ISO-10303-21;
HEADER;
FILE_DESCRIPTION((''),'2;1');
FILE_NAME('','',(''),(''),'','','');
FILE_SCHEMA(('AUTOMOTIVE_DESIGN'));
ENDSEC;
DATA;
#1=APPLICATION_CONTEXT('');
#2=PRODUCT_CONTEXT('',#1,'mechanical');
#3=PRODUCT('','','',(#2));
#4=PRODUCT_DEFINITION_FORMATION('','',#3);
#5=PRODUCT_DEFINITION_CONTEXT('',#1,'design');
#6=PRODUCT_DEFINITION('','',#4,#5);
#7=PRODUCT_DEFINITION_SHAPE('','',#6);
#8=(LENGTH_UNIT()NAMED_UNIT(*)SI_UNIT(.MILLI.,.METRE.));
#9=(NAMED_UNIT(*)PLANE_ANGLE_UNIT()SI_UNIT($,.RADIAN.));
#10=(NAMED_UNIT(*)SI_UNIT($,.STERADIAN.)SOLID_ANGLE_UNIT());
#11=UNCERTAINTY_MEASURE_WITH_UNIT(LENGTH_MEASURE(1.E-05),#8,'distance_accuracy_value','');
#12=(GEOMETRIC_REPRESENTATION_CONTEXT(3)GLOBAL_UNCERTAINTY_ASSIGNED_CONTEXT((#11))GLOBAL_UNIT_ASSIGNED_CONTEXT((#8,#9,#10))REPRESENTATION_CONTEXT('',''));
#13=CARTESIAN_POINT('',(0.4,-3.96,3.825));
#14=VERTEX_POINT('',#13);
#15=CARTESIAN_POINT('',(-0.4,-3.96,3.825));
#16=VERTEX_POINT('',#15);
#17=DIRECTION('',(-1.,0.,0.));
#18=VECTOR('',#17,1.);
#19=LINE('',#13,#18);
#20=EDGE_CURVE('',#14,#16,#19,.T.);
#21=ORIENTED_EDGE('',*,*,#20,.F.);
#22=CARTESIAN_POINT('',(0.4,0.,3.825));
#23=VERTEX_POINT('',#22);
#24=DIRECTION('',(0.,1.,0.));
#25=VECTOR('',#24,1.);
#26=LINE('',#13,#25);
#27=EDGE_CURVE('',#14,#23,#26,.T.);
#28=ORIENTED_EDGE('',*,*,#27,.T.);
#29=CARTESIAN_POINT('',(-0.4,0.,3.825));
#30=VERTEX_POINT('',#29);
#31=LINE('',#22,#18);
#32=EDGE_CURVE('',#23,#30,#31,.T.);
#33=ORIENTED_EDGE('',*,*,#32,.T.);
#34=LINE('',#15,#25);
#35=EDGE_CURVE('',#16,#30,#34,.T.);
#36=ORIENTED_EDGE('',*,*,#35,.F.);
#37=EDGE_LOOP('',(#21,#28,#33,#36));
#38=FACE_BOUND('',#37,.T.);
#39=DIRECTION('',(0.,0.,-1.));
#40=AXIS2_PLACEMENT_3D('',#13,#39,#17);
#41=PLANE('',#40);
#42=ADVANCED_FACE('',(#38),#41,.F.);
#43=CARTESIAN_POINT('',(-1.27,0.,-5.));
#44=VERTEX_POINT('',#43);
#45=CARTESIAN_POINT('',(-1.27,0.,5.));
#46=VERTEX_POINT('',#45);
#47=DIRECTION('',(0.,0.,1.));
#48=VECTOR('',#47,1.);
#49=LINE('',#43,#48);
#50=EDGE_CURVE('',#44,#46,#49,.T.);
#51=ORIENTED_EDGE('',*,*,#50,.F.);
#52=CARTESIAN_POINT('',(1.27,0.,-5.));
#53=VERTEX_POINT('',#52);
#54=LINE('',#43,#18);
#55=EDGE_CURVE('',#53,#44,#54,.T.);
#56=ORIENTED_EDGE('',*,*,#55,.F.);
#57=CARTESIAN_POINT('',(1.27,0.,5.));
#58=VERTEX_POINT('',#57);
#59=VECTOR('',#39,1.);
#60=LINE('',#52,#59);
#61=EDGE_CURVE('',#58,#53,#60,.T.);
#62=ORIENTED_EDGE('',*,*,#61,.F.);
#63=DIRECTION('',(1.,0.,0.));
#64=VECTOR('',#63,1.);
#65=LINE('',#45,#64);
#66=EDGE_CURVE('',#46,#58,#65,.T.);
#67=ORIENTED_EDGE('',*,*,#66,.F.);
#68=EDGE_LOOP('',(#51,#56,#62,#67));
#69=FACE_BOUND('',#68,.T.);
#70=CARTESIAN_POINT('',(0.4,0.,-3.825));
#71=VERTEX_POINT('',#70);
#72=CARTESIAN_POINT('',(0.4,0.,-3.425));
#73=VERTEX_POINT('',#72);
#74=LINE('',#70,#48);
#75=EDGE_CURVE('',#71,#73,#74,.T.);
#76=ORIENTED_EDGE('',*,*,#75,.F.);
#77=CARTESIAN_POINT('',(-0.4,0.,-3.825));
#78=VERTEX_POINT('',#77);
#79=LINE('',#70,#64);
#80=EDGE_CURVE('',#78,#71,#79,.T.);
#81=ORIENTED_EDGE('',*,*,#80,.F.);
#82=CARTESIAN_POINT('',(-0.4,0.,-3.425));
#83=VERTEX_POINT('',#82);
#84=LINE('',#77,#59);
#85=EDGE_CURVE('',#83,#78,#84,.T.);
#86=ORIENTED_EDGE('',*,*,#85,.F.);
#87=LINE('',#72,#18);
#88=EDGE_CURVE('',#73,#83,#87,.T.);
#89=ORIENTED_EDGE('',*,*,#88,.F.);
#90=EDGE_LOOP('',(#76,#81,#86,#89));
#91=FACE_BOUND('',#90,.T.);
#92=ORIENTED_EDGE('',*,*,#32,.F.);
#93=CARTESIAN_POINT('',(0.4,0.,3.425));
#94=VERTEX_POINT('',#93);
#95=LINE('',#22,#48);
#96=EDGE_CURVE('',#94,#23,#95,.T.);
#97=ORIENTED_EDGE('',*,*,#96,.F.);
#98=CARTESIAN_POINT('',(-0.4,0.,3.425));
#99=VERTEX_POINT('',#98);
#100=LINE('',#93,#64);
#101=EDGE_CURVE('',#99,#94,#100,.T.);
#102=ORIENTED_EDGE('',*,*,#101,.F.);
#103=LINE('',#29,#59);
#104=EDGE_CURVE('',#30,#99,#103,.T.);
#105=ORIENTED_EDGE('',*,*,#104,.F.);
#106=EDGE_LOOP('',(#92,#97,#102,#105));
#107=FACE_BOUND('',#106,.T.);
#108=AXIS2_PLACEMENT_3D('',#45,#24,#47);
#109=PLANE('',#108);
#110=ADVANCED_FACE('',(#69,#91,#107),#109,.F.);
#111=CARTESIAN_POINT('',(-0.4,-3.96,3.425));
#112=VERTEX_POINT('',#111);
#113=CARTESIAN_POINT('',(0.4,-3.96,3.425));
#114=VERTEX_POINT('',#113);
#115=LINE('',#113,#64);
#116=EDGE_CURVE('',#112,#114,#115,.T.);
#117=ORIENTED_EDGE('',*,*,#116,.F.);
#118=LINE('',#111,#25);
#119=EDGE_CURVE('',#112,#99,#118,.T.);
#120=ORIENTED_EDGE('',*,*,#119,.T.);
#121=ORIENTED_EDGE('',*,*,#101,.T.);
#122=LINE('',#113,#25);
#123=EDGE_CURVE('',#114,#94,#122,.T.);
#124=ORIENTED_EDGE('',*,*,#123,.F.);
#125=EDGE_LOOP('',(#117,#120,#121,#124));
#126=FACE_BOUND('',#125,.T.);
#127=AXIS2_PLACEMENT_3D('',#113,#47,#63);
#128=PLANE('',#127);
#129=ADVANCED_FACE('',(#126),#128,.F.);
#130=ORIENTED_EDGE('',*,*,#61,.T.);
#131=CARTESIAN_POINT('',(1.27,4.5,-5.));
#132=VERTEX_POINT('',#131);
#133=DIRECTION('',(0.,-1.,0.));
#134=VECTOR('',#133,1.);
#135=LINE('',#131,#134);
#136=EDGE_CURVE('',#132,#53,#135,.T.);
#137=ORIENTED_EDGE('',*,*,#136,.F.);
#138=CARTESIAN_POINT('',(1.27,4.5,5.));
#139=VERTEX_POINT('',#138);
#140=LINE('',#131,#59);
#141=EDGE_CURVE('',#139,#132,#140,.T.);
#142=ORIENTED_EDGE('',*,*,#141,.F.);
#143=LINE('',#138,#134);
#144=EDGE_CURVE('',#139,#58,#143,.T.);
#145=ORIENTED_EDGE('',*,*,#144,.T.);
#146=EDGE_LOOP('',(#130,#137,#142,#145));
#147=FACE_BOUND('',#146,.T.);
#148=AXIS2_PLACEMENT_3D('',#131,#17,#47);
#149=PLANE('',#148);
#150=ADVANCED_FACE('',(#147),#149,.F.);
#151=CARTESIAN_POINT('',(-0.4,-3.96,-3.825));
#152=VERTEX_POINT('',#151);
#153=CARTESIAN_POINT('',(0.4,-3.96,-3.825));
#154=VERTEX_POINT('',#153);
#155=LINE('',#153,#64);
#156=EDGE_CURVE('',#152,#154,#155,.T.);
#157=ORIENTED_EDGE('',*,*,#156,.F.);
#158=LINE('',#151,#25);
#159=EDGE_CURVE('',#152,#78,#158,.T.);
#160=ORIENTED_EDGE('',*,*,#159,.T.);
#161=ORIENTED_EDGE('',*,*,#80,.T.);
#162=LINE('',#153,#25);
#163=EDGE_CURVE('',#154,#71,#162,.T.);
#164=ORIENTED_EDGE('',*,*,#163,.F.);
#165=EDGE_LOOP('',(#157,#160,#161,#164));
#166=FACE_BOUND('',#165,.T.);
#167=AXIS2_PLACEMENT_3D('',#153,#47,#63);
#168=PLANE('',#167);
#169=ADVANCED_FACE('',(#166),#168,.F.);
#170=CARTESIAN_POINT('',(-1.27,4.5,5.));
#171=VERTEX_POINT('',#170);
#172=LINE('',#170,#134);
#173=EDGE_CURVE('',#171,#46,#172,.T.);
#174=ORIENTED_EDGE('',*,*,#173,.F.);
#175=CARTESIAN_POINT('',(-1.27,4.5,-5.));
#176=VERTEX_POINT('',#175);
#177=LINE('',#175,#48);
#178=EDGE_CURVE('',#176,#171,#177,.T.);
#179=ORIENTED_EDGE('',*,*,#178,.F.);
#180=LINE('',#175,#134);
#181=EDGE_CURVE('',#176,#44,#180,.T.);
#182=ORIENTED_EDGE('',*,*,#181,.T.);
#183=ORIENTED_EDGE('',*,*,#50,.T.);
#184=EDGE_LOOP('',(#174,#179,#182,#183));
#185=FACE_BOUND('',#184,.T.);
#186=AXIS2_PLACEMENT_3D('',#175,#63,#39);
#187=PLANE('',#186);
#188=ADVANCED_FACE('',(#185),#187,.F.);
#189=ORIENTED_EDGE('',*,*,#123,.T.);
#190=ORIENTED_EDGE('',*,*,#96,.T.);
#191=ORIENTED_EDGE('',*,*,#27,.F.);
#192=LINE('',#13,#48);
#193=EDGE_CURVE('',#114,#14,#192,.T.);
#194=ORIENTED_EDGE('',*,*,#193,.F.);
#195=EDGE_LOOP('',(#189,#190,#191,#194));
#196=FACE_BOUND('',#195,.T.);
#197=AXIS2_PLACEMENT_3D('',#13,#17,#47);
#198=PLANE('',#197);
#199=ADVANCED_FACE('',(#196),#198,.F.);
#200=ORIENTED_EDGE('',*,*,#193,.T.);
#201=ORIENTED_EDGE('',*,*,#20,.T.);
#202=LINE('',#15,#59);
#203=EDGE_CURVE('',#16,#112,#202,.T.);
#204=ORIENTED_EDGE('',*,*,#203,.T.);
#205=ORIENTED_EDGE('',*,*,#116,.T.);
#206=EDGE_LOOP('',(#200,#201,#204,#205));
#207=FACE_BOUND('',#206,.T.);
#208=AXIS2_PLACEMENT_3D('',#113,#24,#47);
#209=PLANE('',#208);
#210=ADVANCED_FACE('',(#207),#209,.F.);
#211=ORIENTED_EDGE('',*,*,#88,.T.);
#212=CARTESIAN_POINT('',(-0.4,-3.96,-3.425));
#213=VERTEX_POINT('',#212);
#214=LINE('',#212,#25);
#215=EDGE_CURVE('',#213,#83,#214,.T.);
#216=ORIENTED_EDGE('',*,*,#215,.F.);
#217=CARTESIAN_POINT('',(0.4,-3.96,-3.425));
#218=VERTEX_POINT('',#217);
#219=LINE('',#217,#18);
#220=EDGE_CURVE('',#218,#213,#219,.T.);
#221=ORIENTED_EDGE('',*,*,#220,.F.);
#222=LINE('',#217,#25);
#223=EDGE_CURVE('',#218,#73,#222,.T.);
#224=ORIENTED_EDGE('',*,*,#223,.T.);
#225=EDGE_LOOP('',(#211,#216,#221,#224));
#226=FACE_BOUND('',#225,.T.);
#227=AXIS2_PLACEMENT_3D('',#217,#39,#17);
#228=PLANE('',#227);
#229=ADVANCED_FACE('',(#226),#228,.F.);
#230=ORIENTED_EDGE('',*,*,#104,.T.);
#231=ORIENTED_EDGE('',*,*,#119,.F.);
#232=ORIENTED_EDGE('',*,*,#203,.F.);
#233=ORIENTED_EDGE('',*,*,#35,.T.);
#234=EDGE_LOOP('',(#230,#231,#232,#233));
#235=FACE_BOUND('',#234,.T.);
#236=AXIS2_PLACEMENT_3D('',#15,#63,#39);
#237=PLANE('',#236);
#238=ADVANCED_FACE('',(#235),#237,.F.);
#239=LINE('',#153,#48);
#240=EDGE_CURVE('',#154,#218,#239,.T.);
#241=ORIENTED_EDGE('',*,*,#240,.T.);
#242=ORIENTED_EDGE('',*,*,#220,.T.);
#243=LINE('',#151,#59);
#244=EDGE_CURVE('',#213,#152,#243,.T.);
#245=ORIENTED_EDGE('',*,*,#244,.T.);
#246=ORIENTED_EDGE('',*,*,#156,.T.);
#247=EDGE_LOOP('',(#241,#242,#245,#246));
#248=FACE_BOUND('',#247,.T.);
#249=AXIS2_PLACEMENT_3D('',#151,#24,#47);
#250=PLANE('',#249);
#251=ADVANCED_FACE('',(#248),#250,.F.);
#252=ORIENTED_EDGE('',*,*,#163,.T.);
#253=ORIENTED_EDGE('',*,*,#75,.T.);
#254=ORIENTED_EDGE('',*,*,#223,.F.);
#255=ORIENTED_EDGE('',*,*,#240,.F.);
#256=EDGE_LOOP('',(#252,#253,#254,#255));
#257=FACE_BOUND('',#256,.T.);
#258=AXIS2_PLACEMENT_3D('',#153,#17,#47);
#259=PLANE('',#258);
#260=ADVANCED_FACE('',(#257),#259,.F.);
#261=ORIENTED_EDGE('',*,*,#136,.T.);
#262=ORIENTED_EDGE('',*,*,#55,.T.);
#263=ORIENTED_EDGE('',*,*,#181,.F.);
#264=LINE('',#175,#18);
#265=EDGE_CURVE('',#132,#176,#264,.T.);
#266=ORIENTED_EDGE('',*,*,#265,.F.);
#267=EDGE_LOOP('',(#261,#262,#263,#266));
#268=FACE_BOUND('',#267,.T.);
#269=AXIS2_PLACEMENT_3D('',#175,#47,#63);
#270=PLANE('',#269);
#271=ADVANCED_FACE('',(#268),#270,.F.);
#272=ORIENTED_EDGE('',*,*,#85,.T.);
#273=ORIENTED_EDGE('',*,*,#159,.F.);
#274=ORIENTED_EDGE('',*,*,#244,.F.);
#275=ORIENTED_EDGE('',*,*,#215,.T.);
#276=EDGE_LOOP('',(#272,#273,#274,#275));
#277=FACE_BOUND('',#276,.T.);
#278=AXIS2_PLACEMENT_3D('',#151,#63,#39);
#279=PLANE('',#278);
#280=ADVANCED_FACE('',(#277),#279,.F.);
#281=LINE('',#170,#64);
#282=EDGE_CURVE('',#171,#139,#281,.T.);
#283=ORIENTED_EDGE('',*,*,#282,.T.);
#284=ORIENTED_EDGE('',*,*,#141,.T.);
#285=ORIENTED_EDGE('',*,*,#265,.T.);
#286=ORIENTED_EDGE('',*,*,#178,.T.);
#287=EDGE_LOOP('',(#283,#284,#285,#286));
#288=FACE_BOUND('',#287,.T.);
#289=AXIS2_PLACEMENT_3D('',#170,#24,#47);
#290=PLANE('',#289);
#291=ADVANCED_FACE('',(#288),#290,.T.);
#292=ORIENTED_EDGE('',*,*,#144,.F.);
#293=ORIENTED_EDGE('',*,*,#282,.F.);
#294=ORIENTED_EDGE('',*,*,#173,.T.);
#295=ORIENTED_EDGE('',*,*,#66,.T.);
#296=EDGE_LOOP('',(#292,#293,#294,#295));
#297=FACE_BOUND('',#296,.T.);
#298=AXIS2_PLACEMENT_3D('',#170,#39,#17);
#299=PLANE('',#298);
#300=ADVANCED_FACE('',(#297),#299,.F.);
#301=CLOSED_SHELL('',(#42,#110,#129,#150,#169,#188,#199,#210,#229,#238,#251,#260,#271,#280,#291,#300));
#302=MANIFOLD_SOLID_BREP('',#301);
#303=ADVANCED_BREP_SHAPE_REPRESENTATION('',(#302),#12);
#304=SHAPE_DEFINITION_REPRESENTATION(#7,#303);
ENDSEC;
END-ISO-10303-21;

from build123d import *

# Parameters (mm, degrees)
SKETCH_1_W      = 2.54
SKETCH_1_H      = 10
EXTRUDE_1_DEPTH = 4.5
SKETCH_2_W      = 0.8
SKETCH_2_H      = 0.4
EXTRUDE_2_DEPTH = 3.96


with BuildPart() as part:
    # 草图1 → 拉伸1 (new body)
    with BuildSketch(Plane(origin=(0, 0, 0), x_dir=(1, 0, 0), z_dir=(0, 1, 0))):
        Rectangle(SKETCH_1_W, SKETCH_1_H)
    extrude(amount=EXTRUDE_1_DEPTH)

    # 草图2 → 拉伸2 (add)
    with BuildSketch(Plane.XZ):
        with Locations((0, 3.625)):
            Rectangle(SKETCH_2_W, SKETCH_2_H)
        with Locations((0, -3.625)):
            Rectangle(SKETCH_2_W, SKETCH_2_H)
    extrude(amount=EXTRUDE_2_DEPTH)


solid = part.part
